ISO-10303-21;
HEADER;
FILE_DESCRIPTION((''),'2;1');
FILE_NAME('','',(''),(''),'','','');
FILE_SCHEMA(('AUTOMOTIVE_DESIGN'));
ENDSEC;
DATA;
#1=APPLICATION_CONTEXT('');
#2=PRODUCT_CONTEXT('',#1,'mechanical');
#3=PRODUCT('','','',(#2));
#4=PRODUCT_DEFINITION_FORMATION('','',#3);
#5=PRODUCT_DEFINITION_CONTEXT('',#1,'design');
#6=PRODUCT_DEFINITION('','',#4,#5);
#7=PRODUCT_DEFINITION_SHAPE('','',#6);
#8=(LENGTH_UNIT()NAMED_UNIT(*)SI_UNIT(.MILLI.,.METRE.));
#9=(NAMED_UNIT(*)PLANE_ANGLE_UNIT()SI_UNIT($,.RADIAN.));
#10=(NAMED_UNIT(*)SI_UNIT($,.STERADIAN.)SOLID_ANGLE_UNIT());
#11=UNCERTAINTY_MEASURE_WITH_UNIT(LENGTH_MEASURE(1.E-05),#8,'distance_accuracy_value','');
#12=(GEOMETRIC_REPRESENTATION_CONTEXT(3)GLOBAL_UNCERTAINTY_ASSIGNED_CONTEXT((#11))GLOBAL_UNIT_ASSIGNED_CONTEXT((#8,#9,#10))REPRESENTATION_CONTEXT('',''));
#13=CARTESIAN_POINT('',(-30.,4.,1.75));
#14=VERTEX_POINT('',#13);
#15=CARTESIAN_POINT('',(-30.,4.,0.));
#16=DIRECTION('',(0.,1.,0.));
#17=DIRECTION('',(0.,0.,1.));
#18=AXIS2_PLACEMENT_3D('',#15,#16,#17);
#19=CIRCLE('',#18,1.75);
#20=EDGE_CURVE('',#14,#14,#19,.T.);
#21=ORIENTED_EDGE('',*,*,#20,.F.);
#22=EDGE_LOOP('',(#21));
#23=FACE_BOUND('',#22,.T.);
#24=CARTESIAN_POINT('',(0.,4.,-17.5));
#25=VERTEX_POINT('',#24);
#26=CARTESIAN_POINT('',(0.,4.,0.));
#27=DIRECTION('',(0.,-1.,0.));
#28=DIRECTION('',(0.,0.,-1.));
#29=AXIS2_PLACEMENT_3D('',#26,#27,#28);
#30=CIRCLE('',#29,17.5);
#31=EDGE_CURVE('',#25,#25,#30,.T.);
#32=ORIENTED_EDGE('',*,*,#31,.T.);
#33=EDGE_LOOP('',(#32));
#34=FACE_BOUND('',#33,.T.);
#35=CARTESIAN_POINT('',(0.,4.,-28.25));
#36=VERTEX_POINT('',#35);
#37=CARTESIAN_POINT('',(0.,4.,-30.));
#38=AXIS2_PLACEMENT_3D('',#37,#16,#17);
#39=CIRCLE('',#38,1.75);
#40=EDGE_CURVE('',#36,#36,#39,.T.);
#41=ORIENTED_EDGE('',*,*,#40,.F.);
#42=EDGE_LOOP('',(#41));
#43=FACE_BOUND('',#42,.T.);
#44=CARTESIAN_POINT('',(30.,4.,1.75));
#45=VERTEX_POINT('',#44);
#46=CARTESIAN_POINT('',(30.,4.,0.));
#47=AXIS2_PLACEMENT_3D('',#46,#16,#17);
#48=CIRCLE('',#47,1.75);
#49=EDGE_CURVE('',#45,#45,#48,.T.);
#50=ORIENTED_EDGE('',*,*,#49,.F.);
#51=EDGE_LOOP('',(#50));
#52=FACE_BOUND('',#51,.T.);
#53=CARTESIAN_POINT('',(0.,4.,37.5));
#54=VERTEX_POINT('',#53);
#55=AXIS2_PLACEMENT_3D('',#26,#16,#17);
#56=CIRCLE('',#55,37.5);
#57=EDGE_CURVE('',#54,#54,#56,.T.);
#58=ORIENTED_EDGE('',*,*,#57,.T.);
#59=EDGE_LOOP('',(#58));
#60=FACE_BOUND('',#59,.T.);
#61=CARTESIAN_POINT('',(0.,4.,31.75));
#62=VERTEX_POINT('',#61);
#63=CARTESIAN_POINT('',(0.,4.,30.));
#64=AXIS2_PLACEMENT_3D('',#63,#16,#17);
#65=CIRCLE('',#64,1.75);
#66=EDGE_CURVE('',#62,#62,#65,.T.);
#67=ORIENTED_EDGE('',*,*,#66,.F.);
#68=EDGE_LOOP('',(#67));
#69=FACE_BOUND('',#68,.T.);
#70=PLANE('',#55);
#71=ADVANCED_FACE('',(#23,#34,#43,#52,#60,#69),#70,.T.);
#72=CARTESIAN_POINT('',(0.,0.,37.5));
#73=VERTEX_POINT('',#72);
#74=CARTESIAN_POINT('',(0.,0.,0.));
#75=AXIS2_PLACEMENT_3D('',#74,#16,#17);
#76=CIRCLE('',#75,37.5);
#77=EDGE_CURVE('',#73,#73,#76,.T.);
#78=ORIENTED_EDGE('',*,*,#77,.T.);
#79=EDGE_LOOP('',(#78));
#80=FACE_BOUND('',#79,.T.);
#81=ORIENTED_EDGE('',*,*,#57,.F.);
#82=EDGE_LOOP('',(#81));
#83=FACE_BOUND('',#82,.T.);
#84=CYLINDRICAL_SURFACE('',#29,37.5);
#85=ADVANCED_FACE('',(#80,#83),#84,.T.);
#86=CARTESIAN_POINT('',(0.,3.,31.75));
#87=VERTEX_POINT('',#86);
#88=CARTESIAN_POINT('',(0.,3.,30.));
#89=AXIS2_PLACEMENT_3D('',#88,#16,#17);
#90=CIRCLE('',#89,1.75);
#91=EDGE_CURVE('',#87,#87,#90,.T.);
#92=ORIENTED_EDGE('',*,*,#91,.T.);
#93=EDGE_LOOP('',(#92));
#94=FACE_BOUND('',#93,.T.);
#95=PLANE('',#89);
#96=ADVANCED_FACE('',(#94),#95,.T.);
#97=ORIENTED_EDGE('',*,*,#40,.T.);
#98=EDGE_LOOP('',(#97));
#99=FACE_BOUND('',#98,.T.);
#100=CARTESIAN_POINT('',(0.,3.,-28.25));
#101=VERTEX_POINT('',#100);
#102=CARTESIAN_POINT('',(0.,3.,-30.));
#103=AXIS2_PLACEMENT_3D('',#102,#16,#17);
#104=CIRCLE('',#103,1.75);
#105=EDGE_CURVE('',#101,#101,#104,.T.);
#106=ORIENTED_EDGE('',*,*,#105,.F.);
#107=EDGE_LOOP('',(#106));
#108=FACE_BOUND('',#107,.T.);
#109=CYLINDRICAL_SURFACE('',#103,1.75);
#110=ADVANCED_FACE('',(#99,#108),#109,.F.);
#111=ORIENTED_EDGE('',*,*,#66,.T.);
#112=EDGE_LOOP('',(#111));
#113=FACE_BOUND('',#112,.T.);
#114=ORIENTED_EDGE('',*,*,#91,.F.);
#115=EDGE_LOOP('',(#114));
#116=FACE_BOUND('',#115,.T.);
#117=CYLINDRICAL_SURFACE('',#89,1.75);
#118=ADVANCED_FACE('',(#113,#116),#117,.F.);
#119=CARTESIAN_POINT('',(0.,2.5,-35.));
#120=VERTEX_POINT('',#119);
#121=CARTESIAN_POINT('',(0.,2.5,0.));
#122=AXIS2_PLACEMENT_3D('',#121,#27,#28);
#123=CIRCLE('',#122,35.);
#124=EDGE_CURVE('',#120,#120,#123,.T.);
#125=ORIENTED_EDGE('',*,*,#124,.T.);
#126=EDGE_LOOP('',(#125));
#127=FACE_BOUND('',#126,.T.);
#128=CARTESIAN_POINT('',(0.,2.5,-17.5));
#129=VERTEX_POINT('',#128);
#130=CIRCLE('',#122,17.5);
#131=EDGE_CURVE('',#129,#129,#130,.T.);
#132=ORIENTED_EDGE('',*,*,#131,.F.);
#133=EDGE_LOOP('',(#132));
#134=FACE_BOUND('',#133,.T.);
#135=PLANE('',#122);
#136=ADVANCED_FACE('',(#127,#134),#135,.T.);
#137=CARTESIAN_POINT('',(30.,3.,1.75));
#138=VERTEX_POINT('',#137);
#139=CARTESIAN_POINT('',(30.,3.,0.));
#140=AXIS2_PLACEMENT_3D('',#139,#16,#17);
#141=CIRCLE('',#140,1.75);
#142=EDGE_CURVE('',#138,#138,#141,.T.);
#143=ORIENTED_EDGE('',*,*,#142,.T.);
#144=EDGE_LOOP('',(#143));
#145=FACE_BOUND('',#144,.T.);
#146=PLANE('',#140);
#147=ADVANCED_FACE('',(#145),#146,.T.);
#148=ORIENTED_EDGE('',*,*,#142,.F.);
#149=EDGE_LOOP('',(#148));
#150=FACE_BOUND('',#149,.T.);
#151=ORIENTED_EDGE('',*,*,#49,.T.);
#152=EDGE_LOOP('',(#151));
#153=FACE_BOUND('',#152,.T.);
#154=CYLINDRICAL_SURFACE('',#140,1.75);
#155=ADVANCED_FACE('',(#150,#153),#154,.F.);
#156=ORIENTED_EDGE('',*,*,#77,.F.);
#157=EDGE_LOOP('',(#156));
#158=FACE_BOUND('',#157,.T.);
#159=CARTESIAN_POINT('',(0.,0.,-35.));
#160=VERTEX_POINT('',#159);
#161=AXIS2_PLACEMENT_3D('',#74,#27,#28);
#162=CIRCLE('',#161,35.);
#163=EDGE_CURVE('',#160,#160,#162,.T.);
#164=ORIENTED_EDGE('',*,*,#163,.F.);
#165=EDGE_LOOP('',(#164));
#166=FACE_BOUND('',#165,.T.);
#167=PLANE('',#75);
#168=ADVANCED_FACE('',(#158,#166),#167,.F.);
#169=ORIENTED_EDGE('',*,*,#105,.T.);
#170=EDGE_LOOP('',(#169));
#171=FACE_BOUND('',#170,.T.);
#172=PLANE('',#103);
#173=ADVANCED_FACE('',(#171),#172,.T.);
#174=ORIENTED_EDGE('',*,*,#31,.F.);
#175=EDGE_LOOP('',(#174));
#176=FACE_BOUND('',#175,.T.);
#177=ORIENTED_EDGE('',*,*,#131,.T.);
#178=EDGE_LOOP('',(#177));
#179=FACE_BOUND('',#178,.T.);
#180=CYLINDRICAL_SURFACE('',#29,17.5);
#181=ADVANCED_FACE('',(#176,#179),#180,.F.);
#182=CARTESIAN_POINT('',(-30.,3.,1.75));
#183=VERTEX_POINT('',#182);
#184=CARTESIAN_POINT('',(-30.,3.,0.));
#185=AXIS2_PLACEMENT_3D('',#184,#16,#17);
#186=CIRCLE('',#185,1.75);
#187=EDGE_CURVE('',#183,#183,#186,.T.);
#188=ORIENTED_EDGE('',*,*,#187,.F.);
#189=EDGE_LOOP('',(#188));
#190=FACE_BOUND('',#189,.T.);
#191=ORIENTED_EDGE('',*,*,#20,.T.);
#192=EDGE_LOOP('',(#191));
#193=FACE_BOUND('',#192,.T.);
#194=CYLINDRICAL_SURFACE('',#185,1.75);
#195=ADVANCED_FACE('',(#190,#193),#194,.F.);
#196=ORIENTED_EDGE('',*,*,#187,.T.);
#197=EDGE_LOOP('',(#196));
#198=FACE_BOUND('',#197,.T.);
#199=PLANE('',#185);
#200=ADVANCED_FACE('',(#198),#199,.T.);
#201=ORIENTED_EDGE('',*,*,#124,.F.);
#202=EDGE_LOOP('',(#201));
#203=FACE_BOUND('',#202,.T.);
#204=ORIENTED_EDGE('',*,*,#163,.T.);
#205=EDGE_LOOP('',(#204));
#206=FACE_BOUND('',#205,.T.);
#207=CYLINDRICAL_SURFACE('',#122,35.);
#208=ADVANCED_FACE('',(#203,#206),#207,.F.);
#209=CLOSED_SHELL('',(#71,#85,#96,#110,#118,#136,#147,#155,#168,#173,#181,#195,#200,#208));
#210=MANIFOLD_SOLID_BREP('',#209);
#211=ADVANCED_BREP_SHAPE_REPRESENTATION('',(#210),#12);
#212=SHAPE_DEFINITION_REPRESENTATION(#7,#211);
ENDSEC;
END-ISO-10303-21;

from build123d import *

# Parameters (mm, degrees)
SKETCH1_R           = 37.5
BOSS_EXTRUDE1_DEPTH = 4
SKETCH2_R           = 1.75
CUT_EXTRUDE1_DEPTH  = 1
SKETCH3_R           = 35
CUT_EXTRUDE5_DEPTH  = 2.5
SKETCH4_R           = 17.5
CUT_EXTRUDE6_DEPTH  = 54.091901454


with BuildPart() as part:
    # Sketch1 → Boss-Extrude1 (new body)
    with BuildSketch(Plane(origin=(0, 0, 0), x_dir=(1, 0, 0), z_dir=(0, 1, 0))):
        with Locations(Location((0, 0, 0), (0, 0, 270))):
            Circle(SKETCH1_R)
    extrude(amount=BOSS_EXTRUDE1_DEPTH)

    # Sketch2 → Cut-Extrude1 (cut)
    with BuildSketch(Plane(origin=(0, 4, 0), x_dir=(1, 0, 0), z_dir=(0, 1, 0))):
        with Locations(Location((0, 30, 0), (0, 0, 270))):
            Circle(SKETCH2_R)
        with Locations(Location((30, 0, 0), (0, 0, 270))):
            Circle(SKETCH2_R)
        with Locations(Location((0, -30, 0), (0, 0, 270))):
            Circle(SKETCH2_R)
        with Locations(Location((-30, 0, 0), (0, 0, 270))):
            Circle(SKETCH2_R)
    extrude(amount=-CUT_EXTRUDE1_DEPTH, mode=Mode.SUBTRACT)

    # Sketch3 → Cut-Extrude5 (cut)
    with BuildSketch(Plane(origin=(0, 0, 0), x_dir=(-1, 0, 0), z_dir=(0, -1, 0))):
        with Locations(Location((0, 0, 0), (0, 0, 90))):
            Circle(SKETCH3_R)
    extrude(amount=-CUT_EXTRUDE5_DEPTH, mode=Mode.SUBTRACT)

    # Sketch4 → Cut-Extrude6 (cut, through all)
    with BuildSketch(Plane(origin=(0, 2.5, 0), x_dir=(-1, 0, 0), z_dir=(0, -1, 0))):
        with Locations(Location((0, 0, 0), (0, 0, 90))):
            Circle(SKETCH4_R)
    extrude(amount=-CUT_EXTRUDE6_DEPTH, mode=Mode.SUBTRACT)


solid = part.part
